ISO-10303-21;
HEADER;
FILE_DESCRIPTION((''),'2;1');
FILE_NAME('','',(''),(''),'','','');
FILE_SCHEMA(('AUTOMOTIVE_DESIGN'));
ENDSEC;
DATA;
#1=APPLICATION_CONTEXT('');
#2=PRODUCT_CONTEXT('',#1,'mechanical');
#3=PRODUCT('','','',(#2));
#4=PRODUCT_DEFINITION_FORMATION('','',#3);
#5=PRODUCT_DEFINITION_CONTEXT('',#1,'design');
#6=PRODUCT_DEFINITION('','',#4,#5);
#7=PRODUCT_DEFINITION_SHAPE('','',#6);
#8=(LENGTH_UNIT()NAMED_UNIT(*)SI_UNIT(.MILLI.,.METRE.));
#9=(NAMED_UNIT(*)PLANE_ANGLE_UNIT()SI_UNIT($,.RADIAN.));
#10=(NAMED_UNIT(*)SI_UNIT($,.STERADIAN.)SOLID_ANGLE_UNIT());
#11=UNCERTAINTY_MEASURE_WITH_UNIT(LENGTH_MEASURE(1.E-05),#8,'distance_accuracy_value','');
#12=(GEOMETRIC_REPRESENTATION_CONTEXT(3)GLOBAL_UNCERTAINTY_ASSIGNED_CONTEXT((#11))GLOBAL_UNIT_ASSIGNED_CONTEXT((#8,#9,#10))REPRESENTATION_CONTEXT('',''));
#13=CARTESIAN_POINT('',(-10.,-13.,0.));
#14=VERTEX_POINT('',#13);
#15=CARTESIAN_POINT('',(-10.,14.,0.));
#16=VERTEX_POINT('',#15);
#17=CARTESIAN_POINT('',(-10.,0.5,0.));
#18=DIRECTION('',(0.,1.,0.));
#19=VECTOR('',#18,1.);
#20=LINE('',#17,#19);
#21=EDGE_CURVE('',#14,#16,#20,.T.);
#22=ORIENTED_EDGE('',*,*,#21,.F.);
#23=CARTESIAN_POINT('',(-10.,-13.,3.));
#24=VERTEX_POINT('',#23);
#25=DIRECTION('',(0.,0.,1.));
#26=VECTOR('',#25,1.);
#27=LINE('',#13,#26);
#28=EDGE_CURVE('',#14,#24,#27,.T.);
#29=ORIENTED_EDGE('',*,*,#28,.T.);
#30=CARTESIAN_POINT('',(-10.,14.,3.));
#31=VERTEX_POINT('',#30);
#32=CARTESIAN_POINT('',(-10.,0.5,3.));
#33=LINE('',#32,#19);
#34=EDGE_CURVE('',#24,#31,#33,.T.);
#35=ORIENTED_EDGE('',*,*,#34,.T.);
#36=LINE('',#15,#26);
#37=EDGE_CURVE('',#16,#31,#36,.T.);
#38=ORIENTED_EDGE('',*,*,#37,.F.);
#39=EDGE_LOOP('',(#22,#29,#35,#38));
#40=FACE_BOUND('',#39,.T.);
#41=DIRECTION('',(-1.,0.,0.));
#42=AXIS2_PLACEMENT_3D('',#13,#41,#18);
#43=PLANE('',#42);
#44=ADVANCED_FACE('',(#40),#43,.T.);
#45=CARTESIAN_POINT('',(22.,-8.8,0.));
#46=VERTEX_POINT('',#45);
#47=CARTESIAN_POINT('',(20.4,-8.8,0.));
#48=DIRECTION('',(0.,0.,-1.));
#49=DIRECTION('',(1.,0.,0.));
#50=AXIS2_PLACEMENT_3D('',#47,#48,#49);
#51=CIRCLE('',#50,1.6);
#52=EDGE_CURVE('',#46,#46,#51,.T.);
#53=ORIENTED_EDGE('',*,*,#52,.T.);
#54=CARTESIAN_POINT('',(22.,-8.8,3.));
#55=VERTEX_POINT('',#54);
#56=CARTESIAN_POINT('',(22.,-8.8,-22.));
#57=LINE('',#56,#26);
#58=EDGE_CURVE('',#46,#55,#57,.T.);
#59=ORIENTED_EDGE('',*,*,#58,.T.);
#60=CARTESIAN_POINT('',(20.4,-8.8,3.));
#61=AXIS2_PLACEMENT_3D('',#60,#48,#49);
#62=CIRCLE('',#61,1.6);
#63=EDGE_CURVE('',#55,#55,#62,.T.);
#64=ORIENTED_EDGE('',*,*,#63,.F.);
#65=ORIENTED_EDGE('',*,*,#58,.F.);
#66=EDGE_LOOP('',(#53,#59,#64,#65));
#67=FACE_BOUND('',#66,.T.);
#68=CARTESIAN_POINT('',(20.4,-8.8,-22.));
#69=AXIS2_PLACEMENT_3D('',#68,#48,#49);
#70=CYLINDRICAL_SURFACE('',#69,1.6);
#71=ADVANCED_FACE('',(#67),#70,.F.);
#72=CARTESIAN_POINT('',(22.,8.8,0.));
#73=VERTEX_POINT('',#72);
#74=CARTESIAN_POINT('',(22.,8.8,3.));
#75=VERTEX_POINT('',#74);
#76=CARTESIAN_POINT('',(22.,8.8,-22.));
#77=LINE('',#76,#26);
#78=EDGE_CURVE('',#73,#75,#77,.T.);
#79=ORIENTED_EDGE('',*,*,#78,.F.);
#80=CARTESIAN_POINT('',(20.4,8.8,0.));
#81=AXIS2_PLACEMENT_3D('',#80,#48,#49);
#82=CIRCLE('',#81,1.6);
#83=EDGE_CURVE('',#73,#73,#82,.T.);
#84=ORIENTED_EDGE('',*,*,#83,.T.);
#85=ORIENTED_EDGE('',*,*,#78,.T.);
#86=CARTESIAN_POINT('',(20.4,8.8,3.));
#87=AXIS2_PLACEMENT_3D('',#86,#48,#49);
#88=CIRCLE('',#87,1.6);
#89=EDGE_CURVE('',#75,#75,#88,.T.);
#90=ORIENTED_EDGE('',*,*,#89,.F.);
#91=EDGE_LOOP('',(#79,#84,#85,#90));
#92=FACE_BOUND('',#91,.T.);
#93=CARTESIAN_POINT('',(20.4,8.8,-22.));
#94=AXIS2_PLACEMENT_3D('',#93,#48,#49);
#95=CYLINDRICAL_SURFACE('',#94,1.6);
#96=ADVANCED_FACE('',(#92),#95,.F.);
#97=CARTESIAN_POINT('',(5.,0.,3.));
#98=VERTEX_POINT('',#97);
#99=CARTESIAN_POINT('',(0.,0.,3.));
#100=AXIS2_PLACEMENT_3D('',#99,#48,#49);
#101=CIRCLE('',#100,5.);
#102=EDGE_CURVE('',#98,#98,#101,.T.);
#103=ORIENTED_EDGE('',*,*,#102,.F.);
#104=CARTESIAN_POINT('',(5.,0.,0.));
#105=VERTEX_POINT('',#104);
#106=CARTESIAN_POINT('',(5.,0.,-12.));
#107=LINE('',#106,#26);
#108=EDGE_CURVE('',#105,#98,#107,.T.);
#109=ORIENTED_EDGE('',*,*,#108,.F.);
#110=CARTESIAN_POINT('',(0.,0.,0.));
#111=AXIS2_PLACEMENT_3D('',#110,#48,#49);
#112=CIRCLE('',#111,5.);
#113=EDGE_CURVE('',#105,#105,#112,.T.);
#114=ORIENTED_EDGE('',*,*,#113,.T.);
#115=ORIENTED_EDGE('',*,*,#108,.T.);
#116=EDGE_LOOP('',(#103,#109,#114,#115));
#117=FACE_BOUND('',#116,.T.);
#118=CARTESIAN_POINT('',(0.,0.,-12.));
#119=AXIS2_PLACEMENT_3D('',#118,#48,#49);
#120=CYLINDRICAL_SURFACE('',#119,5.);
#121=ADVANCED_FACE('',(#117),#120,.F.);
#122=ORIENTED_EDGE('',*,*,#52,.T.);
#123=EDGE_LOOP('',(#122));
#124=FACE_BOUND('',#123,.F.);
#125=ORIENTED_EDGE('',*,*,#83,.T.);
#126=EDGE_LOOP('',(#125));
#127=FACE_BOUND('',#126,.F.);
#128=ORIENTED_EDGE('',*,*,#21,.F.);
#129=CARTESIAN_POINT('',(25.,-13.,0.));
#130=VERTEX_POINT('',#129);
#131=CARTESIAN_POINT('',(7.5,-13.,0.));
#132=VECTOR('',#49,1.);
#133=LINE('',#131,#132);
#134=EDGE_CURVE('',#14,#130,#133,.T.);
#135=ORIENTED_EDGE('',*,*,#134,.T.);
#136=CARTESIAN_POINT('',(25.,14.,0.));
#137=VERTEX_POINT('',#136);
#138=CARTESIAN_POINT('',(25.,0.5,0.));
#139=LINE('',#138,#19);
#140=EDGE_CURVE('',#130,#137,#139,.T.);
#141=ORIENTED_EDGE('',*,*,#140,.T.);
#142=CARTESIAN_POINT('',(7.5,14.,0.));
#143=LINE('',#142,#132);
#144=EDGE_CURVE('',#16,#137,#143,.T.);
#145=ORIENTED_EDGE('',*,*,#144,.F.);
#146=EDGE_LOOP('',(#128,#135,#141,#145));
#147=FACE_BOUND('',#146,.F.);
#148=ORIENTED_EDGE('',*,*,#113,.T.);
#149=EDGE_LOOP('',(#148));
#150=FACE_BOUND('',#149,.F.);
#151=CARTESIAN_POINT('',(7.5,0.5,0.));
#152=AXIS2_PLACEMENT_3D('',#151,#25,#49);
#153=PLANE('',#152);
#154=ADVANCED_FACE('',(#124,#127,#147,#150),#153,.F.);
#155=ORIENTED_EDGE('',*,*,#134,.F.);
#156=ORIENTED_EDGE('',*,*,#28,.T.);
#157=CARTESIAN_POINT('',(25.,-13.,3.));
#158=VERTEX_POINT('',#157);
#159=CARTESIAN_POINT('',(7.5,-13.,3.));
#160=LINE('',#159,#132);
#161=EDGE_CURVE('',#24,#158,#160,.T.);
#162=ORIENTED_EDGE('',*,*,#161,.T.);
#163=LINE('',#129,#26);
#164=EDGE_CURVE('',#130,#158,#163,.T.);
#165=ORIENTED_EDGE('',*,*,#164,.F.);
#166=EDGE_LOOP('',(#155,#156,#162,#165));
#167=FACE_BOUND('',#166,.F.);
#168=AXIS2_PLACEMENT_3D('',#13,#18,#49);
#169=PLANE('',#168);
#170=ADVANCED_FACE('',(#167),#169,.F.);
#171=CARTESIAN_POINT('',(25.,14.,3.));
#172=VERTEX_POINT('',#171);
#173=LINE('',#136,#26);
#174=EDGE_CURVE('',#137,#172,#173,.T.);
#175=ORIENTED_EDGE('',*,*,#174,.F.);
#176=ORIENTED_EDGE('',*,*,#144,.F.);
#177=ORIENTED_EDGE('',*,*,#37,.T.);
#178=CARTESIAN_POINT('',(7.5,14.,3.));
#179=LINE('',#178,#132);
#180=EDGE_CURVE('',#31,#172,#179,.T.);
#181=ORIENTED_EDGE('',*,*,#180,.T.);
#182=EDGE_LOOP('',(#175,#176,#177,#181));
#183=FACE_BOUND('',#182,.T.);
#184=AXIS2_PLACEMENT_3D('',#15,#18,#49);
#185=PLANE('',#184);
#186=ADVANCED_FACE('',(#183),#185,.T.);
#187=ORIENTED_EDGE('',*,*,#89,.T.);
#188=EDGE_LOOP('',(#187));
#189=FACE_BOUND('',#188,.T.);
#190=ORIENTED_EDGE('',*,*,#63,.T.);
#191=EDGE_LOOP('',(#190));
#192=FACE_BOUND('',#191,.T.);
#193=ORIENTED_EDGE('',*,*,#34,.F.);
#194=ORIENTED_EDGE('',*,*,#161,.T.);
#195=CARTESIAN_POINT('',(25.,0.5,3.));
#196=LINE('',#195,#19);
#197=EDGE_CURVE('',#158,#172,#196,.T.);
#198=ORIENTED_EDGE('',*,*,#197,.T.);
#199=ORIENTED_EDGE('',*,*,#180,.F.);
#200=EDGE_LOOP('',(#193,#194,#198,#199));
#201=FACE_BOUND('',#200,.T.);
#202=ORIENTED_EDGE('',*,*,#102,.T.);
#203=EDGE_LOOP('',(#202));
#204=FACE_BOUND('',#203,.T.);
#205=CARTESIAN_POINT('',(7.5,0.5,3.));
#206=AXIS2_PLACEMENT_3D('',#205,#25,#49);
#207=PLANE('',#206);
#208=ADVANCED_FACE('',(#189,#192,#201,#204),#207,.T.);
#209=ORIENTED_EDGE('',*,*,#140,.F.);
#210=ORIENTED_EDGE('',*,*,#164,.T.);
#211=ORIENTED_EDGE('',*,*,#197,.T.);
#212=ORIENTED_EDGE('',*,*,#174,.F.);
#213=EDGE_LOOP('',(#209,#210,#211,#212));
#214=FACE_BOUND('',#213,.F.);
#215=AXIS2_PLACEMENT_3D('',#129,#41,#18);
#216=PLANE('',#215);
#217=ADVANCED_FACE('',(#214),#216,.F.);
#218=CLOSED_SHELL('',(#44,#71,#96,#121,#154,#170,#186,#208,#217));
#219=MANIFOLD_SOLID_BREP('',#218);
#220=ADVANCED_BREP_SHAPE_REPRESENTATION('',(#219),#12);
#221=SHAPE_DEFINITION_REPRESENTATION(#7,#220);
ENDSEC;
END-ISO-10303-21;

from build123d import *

# Parameters (mm, degrees)
CYLINDER030_R     = 1.6
CYLINDER030_DEPTH = 50
CYLINDER029_R     = 5
CYLINDER029_DEPTH = 22.5
CYLINDER031_R     = 1.6
CYLINDER031_DEPTH = 50
BOX019_W          = 35
BOX019_H          = 27
BOX019_DEPTH      = 3


with BuildPart() as cylinder030:
    # Cylinder030 → Cylinder030 (new body)
    with BuildSketch(Plane(origin=(20.4, 8.8, -22), x_dir=(1, 0, 0), z_dir=(0, 0, 1))):
        Circle(CYLINDER030_R)
    extrude(amount=CYLINDER030_DEPTH)


with BuildPart() as fusion034:
    # Cylinder029 → Cylinder029 (new body)
    with BuildSketch(Plane.XY.offset(-12)):
        Circle(CYLINDER029_R)
    extrude(amount=CYLINDER029_DEPTH)

    # Fusion034: union Cylinder030
    add(cylinder030.part)


with BuildPart() as motor_holes_y:
    # Cylinder031 → Cylinder031 (new body)
    with BuildSketch(Plane(origin=(20.4, -8.8, -22), x_dir=(1, 0, 0), z_dir=(0, 0, 1))):
        Circle(CYLINDER031_R)
    extrude(amount=CYLINDER031_DEPTH)

    # Fusion036: union Fusion034
    add(fusion034.part)


with BuildPart() as motor_spacer:
    # Box019 → Box019 (new body)
    with BuildSketch(Plane(origin=(-10, -13, 0), x_dir=(1, 0, 0), z_dir=(0, 0, 1))):
        with Locations((17.5, 13.5)):
            Rectangle(BOX019_W, BOX019_H)
    extrude(amount=BOX019_DEPTH)

    # Cut030: cut motor-holes-y
    add(motor_holes_y.part, mode=Mode.SUBTRACT)


solid = motor_spacer.part
